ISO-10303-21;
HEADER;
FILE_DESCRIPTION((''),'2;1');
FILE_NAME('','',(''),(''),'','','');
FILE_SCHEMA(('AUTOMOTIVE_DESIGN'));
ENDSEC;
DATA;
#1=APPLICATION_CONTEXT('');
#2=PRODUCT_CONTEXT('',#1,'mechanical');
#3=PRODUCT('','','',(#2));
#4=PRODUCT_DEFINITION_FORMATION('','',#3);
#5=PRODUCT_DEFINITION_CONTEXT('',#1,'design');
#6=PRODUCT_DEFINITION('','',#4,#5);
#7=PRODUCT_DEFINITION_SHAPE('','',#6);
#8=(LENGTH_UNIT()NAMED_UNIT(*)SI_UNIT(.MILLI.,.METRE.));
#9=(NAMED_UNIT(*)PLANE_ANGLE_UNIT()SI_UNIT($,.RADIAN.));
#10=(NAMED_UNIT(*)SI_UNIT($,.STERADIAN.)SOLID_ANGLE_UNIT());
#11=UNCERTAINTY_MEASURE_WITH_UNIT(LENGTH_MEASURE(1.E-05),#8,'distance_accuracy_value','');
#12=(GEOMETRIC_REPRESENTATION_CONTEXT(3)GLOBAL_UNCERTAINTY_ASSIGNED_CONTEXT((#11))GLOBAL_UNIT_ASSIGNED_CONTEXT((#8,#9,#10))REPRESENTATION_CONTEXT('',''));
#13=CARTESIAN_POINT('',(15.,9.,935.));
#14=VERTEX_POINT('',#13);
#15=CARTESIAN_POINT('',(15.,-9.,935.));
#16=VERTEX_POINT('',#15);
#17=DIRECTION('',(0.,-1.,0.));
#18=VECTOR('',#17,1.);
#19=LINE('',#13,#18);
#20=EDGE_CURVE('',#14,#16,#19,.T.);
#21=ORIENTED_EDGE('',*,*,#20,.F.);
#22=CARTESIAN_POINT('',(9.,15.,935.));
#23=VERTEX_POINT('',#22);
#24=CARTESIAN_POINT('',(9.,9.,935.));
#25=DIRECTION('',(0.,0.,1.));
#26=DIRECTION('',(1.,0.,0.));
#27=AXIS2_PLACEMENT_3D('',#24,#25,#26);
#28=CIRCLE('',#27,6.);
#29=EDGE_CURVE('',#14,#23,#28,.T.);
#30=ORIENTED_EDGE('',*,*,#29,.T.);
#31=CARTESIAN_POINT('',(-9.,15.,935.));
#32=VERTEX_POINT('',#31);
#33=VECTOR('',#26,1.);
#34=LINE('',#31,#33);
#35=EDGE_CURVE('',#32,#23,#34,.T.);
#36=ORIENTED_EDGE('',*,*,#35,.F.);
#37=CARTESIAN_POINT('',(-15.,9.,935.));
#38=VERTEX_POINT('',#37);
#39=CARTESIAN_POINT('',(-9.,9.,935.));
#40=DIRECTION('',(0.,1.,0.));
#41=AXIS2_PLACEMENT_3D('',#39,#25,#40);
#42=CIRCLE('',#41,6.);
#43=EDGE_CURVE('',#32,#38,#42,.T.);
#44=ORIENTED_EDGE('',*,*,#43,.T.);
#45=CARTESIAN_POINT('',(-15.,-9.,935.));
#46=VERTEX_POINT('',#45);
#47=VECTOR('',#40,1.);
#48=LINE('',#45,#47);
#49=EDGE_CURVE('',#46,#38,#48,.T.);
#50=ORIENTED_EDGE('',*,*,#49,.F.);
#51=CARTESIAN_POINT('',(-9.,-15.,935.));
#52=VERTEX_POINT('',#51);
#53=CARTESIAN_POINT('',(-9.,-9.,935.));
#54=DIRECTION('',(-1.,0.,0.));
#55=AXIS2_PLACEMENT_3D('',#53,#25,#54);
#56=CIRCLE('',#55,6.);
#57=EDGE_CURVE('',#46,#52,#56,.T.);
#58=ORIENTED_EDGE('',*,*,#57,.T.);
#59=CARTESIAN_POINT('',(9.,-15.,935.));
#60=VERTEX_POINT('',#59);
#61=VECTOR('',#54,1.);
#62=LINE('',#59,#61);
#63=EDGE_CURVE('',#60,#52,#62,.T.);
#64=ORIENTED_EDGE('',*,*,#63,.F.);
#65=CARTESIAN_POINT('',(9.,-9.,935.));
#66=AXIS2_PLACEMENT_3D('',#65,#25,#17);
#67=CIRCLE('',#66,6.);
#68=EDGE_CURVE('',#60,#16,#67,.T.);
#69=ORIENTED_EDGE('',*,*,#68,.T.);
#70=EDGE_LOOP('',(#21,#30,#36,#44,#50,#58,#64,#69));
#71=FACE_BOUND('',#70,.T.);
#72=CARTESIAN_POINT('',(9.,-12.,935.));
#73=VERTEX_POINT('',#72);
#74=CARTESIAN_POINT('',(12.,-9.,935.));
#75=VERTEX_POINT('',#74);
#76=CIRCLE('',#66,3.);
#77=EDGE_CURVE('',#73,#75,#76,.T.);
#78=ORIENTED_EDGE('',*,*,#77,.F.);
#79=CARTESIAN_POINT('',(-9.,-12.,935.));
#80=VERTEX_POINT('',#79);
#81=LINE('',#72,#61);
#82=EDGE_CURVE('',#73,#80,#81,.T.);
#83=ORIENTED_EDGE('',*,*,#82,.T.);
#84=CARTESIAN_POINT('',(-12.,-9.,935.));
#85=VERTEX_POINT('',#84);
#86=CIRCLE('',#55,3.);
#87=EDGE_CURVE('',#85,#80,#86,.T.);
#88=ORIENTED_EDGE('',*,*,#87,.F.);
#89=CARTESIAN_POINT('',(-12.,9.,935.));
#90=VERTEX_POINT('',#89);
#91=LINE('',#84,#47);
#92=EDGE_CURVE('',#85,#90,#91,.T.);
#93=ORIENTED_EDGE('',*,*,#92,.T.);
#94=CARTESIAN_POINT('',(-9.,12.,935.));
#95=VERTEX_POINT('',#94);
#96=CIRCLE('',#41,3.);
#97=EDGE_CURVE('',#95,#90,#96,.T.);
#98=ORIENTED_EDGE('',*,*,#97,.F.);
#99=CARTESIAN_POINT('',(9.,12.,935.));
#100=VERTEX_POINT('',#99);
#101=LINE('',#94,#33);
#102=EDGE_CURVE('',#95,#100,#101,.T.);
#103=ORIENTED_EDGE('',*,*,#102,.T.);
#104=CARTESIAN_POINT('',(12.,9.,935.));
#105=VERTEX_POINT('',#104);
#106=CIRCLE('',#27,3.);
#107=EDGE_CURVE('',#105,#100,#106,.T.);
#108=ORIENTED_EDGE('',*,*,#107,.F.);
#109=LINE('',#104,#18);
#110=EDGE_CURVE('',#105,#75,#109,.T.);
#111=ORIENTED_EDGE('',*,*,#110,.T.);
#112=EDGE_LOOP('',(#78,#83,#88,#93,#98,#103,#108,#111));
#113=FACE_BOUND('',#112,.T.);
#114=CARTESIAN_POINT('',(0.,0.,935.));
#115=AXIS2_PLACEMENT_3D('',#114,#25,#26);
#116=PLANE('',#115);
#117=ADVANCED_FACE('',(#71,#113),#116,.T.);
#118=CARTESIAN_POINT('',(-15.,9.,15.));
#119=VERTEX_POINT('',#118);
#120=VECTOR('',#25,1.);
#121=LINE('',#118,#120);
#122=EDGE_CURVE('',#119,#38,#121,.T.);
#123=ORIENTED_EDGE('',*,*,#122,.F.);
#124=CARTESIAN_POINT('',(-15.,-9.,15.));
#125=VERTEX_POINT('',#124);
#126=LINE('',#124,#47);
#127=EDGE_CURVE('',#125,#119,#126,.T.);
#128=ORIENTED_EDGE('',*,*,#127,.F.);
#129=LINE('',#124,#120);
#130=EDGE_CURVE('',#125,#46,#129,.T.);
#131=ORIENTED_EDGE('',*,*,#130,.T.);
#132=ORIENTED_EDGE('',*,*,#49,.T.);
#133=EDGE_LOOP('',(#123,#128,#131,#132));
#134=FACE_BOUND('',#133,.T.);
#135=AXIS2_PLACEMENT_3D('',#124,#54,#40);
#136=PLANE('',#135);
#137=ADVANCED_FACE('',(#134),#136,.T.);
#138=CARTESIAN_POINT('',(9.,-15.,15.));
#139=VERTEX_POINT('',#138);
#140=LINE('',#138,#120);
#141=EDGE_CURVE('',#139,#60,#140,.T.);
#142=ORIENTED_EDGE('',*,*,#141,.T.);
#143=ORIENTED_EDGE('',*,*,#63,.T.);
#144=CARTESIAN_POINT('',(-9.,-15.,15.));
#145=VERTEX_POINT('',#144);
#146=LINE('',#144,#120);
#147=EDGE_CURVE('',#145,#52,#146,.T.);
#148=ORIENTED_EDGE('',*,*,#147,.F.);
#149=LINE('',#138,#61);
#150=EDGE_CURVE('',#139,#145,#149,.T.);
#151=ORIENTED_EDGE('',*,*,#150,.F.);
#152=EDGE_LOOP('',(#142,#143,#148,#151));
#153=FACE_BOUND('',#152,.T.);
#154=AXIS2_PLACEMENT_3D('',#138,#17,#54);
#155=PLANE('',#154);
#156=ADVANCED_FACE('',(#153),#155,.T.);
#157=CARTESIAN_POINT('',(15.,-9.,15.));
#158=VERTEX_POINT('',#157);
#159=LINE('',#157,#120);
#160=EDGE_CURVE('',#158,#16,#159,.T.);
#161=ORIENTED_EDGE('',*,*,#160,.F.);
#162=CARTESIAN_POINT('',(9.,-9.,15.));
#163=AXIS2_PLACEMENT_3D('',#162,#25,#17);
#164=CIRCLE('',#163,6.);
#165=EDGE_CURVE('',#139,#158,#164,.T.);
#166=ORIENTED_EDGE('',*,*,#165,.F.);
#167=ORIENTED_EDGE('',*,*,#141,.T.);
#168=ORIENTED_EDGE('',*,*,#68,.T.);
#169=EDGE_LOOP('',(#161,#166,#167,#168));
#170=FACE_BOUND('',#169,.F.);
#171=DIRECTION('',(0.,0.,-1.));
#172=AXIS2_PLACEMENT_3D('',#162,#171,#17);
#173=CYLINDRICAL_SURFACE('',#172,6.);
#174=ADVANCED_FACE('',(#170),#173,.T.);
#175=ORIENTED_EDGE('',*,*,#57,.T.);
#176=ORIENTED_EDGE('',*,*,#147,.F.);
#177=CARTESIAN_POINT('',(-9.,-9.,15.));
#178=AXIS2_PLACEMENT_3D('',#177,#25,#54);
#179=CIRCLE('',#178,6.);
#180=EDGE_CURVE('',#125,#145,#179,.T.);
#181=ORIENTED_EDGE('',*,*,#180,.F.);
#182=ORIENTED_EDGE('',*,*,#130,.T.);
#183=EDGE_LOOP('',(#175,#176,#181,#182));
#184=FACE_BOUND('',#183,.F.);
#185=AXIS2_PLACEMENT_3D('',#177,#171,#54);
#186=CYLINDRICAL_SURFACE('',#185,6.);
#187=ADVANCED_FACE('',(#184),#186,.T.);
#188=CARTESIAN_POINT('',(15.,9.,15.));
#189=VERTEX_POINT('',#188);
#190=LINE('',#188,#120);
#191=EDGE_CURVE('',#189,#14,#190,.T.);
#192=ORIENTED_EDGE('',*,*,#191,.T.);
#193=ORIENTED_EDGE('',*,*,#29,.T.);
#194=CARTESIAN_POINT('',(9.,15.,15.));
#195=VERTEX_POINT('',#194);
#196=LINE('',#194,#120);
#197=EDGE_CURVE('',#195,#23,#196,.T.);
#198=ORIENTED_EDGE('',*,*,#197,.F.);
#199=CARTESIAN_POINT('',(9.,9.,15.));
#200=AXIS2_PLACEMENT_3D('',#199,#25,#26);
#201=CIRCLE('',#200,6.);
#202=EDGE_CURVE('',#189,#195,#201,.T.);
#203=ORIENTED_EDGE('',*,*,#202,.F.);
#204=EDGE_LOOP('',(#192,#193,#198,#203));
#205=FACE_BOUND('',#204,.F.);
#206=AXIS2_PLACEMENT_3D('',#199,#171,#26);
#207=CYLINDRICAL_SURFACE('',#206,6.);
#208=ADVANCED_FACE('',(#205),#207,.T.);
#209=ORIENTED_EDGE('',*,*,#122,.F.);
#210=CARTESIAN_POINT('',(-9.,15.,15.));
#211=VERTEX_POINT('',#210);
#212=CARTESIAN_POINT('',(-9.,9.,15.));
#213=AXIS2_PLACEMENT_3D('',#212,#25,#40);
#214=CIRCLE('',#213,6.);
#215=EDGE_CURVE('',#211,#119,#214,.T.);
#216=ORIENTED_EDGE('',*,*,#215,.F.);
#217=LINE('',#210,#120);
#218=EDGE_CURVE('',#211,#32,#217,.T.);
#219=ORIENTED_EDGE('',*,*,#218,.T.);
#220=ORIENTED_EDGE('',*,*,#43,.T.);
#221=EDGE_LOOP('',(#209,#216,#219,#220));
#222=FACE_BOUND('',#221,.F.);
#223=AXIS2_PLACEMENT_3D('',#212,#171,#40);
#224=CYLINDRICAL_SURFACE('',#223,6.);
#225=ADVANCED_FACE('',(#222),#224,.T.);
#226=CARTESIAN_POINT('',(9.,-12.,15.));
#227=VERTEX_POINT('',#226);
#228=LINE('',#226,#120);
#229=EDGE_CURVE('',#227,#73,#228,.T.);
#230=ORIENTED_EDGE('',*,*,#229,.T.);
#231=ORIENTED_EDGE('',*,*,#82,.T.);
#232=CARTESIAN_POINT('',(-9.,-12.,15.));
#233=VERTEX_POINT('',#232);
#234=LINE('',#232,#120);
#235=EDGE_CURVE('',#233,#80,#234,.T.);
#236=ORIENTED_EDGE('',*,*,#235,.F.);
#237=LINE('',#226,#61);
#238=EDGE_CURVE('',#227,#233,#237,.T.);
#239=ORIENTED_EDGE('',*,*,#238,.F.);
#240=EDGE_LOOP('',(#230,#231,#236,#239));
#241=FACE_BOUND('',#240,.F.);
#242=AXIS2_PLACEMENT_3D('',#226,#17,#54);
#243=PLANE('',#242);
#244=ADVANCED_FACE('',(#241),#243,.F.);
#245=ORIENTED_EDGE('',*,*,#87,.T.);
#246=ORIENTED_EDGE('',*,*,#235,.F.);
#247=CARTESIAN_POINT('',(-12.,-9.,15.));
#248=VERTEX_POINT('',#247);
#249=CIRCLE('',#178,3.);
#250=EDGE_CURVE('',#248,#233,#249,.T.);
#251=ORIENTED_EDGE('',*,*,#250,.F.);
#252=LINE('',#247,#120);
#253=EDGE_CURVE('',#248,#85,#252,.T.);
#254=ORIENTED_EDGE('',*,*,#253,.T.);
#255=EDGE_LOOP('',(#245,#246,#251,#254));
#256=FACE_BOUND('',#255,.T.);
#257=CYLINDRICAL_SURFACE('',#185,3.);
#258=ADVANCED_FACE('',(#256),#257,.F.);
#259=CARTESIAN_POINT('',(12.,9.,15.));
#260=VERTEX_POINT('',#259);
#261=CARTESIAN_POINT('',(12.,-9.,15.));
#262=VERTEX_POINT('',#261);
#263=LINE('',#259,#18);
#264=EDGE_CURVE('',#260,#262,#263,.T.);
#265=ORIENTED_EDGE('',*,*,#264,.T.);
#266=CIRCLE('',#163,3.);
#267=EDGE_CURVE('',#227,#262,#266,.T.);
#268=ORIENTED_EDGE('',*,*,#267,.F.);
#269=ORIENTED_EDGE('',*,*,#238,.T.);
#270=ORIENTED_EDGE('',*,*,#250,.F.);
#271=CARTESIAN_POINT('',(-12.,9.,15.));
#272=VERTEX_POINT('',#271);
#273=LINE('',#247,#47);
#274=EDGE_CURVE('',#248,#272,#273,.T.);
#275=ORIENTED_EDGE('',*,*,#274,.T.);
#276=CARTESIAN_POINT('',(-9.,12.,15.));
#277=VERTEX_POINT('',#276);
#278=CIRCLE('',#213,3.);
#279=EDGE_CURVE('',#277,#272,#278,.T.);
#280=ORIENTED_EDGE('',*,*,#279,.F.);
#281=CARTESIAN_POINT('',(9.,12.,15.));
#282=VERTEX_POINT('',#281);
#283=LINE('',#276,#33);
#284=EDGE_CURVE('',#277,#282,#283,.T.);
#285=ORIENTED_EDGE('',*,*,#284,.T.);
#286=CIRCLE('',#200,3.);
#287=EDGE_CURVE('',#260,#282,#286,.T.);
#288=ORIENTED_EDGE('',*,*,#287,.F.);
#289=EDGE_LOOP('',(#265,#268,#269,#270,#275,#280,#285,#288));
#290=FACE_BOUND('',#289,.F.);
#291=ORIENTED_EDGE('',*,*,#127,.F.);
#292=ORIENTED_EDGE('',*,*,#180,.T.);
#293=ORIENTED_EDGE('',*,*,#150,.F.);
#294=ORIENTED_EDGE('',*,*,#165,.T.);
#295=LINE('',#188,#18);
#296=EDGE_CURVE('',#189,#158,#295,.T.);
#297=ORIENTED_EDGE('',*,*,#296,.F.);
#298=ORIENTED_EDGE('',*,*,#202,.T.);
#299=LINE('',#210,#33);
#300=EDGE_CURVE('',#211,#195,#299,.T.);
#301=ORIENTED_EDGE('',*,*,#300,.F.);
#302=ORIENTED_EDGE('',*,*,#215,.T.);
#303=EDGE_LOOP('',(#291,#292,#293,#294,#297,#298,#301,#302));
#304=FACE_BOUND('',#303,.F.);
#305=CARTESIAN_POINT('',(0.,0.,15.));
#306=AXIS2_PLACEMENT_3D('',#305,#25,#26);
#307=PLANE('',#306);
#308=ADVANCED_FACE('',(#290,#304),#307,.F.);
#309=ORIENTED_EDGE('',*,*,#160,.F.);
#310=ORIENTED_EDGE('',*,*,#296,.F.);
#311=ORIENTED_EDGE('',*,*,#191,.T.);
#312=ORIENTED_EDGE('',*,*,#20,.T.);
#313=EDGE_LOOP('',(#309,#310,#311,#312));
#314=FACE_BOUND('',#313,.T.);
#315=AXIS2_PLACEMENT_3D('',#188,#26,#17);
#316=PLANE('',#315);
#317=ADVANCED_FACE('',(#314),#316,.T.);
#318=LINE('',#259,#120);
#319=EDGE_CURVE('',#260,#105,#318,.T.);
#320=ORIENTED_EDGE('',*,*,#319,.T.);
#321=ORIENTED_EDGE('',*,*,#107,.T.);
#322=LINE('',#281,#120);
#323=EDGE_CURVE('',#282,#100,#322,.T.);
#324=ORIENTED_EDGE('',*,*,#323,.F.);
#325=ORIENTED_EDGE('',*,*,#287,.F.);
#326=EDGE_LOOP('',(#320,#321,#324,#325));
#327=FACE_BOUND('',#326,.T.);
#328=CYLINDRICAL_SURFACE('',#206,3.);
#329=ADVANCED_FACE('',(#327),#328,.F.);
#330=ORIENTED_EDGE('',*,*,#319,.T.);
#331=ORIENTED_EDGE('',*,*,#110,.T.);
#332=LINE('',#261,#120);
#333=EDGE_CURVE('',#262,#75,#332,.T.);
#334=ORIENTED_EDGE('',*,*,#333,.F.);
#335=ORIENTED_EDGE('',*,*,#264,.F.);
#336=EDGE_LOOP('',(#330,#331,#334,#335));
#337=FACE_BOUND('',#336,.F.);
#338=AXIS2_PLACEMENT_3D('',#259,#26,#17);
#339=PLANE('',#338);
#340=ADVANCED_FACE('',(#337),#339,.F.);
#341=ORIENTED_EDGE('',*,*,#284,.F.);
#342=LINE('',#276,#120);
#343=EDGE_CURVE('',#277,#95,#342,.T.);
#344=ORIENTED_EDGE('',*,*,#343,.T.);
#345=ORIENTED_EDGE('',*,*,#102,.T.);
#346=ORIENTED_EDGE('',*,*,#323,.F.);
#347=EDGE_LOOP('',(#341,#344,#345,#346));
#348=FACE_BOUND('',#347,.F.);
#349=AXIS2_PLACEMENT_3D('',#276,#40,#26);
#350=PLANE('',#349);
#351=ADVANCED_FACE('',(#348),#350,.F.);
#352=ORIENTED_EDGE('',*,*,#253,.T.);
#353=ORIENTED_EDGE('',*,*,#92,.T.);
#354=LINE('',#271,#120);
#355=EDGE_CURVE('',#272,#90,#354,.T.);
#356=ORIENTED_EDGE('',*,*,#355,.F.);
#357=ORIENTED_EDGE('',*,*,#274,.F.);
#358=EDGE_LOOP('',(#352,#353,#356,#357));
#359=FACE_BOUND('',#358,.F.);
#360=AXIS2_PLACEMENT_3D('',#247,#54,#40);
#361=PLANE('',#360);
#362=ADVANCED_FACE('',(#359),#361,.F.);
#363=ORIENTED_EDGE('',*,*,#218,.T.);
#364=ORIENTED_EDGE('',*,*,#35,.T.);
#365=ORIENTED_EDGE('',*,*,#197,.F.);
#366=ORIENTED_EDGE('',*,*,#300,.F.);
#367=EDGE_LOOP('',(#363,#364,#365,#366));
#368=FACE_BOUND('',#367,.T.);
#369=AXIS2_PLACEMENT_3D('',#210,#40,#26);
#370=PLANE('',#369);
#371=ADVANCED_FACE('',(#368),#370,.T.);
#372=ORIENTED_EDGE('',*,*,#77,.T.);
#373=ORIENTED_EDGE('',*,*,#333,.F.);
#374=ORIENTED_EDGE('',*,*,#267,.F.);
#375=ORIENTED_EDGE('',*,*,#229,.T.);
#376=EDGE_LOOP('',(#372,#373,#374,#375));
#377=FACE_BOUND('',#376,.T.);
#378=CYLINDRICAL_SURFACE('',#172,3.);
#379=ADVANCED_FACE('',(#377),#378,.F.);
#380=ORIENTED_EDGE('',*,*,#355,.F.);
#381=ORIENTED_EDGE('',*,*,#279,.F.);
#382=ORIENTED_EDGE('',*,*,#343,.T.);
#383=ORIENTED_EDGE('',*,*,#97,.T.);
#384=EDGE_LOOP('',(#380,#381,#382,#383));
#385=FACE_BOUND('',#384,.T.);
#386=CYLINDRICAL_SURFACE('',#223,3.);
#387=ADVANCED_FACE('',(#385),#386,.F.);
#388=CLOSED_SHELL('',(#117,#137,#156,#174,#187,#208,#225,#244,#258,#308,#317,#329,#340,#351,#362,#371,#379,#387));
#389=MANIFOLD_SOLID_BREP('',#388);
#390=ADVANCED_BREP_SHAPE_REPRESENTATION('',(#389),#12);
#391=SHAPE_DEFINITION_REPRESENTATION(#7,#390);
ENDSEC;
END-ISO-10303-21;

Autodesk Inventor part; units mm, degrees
ref_plane "Start Plane" through (0, 0, 15) normal (0, 0, 1) x (1, 0, 0)
ref_plane "End Plane" through (0, 0, 935) normal (0, 0, 1) x (1, 0, 0)
sketch "Sketch" plane through (0, 0, 0) normal (0, 0, 1) x (1, 0, 0)
  line L0 (-15, -9) -> (-15, 9)
  line L1 (-9, 15) -> (9, 15)
  line L2 (15, 9) -> (15, -9)
  line L3 (9, -15) -> (-9, -15)
  arc A0 (-15, -9) -> (-9, -15) centre (-9, -9) ccw
  arc A1 (-9, 15) -> (-15, 9) centre (-9, 9) ccw
  arc A2 (15, 9) -> (9, 15) centre (9, 9) ccw
  arc A3 (9, -15) -> (15, -9) centre (9, -9) ccw
  arc A4 (-9, 12) -> (-12, 9) centre (-9, 9) ccw
  line L4 (-9, 12) -> (9, 12)
  arc A5 (12, 9) -> (9, 12) centre (9, 9) ccw
  line L5 (12, 9) -> (12, -9)
  arc A6 (9, -12) -> (12, -9) centre (9, -9) ccw
  line L6 (9, -12) -> (-9, -12)
  arc A7 (-12, -9) -> (-9, -12) centre (-9, -9) ccw
  line L7 (-12, -9) -> (-12, 9)
  line L8 (0, 22.7397) -> (0, -22.7397) construction
  line L9 (-22.7397, 0) -> (22.7397, 0) construction
  dimension "d7" = 6
  dimension "d10" = 30
  dimension "d11" = 30
  dimension "d12" = 3
  dimension "d15" = 15
  dimension "d16" = 15
extrude "Body" add sketch "Sketch" along normal up to surface (920 mm away) from surface at 15
sketch "Sketch3" plane through (0, 0, 0) normal (0, 0, 1) x (1, 0, 0)
  line L0 (0, 0) -> (10, 0)
ref_plane "Work Plane3" through (0, 0, 0) normal (0, -1, 0) x (1, 0, 0)
ref_plane "Work Plane4" through (365, -9, 15) normal (0, 0, -1) x (-1, 0, 0)
split "Split1" plane through (365, -9, 15) removes the side toward (0, 0, -1)
ref_plane "Work Plane5" through (-400, 9, 935) normal (0, 0, 1) x (1, 0, 0)
split "Split2" plane through (-400, 9, 935) removes the side toward (0, 0, 1)
sketch "Sketch4" plane through (0, 0, 0) normal (0, -1, 0) x (1, 0, 0)
  line L0 (-2, 15) -> (12, 15) projected
  line L1 (-2, 935) -> (12, 935) projected
  dimension "d18" = 920
equation "\"d7\" = G_IR"
equation "\"d10\" = G_H"
equation "\"d11\" = G_W"
equation "\"d12\" = G_T"
equation "\"d15\" = 0.5 * d10"
equation "\"d16\" = 0.5 * d11"
equation "\"d3\" = G_L"
equation "\"G_W\" = 30"
equation "\"G_H\" = 30"
equation "\"G_T\" = 3"
equation "\"G_IR\" = 6"
equation "\"G_L\" = d18"
equation "\"G_OFFSET_START\" = -15"
equation "\"G_OFFSET_END\" = -15"
equation "\"d13\" = -G_OFFSET_START"
equation "\"d14\" = G_OFFSET_END + B_L"
equation "\"B_L\" = 950"
properties part number "DIN EN 10219-2 - 30 x 30 x 3  - 920" material "Steel, Mild"
